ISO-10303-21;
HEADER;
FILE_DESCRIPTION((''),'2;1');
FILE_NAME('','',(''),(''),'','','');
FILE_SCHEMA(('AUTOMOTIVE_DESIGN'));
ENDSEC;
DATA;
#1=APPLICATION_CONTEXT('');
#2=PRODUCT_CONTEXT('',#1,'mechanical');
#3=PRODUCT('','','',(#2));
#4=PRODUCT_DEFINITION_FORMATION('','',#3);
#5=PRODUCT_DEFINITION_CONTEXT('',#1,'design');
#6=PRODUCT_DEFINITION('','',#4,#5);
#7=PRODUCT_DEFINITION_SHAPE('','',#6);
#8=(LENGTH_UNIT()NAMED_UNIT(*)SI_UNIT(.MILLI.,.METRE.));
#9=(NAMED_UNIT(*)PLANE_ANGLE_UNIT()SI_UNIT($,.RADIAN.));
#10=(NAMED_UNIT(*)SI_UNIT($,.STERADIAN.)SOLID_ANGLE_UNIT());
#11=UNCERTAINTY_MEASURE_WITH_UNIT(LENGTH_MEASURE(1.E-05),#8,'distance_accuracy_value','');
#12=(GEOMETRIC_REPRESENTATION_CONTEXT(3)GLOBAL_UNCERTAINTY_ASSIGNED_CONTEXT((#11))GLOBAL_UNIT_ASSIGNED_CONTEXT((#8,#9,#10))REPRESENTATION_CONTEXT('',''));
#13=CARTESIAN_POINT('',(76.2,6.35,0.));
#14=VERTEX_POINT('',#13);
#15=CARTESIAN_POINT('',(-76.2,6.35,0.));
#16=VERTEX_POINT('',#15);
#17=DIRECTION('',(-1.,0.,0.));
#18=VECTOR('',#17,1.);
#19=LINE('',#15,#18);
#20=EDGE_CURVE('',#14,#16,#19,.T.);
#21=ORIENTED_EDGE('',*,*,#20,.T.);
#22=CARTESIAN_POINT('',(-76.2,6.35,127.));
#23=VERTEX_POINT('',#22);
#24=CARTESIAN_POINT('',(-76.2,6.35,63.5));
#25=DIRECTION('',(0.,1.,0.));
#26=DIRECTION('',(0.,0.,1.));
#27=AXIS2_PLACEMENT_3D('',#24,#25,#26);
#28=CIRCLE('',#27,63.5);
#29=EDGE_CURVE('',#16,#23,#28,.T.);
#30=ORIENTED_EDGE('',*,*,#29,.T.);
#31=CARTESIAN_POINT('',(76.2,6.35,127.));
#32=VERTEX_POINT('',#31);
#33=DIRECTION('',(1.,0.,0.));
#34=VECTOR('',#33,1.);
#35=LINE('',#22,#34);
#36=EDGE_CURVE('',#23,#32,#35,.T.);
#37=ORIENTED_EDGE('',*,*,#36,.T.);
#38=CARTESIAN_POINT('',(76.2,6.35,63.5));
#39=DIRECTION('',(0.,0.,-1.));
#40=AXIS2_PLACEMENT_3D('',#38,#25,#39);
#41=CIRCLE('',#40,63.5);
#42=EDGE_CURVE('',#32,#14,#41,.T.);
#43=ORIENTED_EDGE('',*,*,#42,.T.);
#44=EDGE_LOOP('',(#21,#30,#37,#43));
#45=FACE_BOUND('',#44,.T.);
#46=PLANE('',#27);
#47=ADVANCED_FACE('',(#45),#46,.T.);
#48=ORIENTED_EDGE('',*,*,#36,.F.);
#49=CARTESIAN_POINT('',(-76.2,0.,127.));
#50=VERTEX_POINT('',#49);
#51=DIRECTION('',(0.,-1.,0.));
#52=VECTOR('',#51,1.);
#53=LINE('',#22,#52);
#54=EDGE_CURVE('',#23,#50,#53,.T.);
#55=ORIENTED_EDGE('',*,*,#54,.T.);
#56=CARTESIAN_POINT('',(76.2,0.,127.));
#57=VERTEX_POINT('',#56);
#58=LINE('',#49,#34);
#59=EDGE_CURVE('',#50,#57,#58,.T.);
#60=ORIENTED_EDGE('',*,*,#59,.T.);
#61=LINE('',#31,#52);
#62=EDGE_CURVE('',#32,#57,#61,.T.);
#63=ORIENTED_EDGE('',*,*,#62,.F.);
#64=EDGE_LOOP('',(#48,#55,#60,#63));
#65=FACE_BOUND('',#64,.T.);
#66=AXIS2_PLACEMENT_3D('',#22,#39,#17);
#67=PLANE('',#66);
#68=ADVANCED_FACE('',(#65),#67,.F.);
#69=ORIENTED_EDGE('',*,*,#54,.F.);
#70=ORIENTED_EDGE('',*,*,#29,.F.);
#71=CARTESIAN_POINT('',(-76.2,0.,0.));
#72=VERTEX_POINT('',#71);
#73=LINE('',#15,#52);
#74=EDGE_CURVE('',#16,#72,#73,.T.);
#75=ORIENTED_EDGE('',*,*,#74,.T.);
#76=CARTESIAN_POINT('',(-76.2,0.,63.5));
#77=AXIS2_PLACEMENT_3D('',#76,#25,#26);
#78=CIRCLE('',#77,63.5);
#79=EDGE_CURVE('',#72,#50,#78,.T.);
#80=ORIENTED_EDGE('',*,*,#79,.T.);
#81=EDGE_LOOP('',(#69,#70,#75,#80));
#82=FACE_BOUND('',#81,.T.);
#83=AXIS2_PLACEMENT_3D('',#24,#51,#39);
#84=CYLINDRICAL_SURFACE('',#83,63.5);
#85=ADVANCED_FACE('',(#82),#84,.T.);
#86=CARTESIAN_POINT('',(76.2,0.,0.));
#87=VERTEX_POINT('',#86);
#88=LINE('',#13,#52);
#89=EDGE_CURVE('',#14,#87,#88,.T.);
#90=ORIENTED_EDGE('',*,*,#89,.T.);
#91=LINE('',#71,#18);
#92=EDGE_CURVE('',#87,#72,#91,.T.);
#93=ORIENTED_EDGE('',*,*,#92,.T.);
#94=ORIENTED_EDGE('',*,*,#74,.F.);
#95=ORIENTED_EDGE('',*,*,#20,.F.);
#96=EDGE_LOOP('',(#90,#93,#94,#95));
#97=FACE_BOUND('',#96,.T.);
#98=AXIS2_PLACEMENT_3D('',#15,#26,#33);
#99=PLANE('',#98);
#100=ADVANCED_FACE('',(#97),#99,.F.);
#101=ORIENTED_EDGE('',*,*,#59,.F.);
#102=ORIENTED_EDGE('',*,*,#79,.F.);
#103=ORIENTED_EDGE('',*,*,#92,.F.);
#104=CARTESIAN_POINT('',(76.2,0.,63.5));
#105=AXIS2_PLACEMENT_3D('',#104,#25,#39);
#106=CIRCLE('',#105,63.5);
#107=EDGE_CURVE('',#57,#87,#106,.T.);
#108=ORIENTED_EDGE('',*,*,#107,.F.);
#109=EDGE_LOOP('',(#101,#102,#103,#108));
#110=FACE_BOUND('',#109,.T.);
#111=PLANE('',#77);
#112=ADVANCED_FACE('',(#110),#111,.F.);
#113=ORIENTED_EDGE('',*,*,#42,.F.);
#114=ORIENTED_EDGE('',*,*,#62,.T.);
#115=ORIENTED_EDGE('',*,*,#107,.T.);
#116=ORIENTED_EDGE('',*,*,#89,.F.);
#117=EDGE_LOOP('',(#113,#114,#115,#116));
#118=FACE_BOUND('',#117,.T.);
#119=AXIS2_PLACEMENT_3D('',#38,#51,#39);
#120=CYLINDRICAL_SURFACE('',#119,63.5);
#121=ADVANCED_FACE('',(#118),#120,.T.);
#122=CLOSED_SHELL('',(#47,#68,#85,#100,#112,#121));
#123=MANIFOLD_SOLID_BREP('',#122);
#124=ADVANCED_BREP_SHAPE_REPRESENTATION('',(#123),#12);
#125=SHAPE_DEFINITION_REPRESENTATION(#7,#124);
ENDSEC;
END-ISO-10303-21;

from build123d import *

# Parameters (mm, degrees)
BOSS_EXTRUDE1_DEPTH = 6.35


with BuildPart() as part:
    # Sketch1 → Boss-Extrude1 (new body)
    with BuildSketch(Plane(origin=(0, 0, 0), x_dir=(1, 0, 0), z_dir=(0, 1, 0))):
        with BuildLine():
            Line((-76.2, 0), (76.2, 0))
            ThreePointArc((76.2, 0), (139.7, -63.5), (76.2, -127))
            Line((76.2, -127), (-76.2, -127))
            ThreePointArc((-76.2, -127), (-139.7, -63.5), (-76.2, 0))
        make_face()
    extrude(amount=BOSS_EXTRUDE1_DEPTH)


solid = part.part
